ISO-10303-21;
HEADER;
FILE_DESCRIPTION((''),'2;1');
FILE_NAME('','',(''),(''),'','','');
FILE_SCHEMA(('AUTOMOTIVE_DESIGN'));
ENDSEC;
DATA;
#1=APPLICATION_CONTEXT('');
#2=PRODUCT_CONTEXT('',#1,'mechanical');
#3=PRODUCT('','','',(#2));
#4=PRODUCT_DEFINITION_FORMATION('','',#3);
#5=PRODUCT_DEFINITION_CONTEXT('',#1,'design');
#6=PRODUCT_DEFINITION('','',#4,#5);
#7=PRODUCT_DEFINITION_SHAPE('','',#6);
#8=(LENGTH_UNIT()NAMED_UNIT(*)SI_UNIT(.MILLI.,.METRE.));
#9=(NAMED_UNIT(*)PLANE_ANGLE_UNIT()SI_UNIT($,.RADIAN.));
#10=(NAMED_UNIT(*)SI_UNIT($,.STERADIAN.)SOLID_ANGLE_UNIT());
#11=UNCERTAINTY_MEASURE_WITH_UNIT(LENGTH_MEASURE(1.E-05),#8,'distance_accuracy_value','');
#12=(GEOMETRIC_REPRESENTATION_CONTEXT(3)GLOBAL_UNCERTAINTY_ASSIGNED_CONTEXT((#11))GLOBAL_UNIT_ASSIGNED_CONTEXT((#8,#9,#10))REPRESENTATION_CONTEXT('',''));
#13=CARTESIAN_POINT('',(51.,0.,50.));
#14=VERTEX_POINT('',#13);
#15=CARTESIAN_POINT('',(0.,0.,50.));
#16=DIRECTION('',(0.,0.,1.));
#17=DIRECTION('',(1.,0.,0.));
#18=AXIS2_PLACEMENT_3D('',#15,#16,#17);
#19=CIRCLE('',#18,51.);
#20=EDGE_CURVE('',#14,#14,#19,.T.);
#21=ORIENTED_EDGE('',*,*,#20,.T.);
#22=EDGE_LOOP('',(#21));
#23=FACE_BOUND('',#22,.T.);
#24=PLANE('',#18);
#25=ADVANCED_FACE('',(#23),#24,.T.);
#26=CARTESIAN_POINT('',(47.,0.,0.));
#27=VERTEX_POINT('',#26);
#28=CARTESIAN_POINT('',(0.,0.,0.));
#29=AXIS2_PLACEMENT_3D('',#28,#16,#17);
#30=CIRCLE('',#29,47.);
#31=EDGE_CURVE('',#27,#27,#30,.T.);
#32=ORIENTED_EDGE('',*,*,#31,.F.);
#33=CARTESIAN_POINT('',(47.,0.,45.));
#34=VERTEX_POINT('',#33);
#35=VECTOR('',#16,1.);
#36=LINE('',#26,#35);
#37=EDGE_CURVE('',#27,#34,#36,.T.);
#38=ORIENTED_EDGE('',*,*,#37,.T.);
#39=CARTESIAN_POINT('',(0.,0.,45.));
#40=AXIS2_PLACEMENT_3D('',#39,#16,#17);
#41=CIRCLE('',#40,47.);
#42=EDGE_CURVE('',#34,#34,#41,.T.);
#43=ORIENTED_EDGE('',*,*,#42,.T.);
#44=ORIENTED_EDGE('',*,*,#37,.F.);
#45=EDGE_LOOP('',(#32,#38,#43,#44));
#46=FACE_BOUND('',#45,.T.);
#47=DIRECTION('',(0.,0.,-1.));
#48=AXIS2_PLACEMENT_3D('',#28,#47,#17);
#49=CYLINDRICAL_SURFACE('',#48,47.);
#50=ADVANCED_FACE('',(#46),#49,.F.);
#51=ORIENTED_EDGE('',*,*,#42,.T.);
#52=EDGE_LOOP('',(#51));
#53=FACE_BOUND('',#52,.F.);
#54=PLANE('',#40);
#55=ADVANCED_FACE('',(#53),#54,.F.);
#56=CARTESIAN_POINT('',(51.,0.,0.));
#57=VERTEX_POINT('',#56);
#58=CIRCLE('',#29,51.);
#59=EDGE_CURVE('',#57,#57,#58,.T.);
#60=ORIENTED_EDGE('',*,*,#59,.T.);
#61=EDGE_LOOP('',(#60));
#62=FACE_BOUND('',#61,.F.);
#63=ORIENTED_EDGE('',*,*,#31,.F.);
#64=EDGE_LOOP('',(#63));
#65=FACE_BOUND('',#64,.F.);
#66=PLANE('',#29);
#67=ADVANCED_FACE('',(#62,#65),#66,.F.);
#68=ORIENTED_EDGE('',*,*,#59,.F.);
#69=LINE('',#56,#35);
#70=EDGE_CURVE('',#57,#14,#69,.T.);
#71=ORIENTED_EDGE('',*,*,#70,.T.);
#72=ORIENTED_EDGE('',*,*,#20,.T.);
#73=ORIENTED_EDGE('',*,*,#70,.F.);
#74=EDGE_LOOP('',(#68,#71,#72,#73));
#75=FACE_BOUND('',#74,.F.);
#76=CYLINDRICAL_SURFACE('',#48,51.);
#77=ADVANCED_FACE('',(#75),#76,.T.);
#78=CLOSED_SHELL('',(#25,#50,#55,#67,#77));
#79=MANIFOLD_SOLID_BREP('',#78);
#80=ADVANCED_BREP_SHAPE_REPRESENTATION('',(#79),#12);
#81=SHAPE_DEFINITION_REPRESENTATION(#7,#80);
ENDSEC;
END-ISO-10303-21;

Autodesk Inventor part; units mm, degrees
ref_plane "YZ Plane" through (0, 0, 0) normal (1, 0, 0) x (0, 1, 0)
ref_plane "XZ Plane" through (0, 0, 0) normal (0, 1, 0) x (-1, 0, 0)
ref_plane "XY Plane" through (0, 0, 0) normal (0, 0, 1) x (1, 0, 0)
sketch "Sketch1" plane through (0, 0, 0) normal (0, 0, 1) x (1, 0, 0)
  circle A0 centre (0, 0) radius 51
  circle A1 centre (0, 0) radius 47
  dimension "d0" = 102
  dimension "d1" = 4
extrude "Extrusion1" add sketch "Sketch1" along normal blind 50
sketch "Sketch2" plane through (0, 0, 50) normal (0, 0, 1) x (1, 0, 0)
  circle A0 centre (0, 0) radius 47 projected
extrude "Extrusion2" add sketch "Sketch2" against normal blind 5
properties part number "GlassPort-idea" material "Glass"
